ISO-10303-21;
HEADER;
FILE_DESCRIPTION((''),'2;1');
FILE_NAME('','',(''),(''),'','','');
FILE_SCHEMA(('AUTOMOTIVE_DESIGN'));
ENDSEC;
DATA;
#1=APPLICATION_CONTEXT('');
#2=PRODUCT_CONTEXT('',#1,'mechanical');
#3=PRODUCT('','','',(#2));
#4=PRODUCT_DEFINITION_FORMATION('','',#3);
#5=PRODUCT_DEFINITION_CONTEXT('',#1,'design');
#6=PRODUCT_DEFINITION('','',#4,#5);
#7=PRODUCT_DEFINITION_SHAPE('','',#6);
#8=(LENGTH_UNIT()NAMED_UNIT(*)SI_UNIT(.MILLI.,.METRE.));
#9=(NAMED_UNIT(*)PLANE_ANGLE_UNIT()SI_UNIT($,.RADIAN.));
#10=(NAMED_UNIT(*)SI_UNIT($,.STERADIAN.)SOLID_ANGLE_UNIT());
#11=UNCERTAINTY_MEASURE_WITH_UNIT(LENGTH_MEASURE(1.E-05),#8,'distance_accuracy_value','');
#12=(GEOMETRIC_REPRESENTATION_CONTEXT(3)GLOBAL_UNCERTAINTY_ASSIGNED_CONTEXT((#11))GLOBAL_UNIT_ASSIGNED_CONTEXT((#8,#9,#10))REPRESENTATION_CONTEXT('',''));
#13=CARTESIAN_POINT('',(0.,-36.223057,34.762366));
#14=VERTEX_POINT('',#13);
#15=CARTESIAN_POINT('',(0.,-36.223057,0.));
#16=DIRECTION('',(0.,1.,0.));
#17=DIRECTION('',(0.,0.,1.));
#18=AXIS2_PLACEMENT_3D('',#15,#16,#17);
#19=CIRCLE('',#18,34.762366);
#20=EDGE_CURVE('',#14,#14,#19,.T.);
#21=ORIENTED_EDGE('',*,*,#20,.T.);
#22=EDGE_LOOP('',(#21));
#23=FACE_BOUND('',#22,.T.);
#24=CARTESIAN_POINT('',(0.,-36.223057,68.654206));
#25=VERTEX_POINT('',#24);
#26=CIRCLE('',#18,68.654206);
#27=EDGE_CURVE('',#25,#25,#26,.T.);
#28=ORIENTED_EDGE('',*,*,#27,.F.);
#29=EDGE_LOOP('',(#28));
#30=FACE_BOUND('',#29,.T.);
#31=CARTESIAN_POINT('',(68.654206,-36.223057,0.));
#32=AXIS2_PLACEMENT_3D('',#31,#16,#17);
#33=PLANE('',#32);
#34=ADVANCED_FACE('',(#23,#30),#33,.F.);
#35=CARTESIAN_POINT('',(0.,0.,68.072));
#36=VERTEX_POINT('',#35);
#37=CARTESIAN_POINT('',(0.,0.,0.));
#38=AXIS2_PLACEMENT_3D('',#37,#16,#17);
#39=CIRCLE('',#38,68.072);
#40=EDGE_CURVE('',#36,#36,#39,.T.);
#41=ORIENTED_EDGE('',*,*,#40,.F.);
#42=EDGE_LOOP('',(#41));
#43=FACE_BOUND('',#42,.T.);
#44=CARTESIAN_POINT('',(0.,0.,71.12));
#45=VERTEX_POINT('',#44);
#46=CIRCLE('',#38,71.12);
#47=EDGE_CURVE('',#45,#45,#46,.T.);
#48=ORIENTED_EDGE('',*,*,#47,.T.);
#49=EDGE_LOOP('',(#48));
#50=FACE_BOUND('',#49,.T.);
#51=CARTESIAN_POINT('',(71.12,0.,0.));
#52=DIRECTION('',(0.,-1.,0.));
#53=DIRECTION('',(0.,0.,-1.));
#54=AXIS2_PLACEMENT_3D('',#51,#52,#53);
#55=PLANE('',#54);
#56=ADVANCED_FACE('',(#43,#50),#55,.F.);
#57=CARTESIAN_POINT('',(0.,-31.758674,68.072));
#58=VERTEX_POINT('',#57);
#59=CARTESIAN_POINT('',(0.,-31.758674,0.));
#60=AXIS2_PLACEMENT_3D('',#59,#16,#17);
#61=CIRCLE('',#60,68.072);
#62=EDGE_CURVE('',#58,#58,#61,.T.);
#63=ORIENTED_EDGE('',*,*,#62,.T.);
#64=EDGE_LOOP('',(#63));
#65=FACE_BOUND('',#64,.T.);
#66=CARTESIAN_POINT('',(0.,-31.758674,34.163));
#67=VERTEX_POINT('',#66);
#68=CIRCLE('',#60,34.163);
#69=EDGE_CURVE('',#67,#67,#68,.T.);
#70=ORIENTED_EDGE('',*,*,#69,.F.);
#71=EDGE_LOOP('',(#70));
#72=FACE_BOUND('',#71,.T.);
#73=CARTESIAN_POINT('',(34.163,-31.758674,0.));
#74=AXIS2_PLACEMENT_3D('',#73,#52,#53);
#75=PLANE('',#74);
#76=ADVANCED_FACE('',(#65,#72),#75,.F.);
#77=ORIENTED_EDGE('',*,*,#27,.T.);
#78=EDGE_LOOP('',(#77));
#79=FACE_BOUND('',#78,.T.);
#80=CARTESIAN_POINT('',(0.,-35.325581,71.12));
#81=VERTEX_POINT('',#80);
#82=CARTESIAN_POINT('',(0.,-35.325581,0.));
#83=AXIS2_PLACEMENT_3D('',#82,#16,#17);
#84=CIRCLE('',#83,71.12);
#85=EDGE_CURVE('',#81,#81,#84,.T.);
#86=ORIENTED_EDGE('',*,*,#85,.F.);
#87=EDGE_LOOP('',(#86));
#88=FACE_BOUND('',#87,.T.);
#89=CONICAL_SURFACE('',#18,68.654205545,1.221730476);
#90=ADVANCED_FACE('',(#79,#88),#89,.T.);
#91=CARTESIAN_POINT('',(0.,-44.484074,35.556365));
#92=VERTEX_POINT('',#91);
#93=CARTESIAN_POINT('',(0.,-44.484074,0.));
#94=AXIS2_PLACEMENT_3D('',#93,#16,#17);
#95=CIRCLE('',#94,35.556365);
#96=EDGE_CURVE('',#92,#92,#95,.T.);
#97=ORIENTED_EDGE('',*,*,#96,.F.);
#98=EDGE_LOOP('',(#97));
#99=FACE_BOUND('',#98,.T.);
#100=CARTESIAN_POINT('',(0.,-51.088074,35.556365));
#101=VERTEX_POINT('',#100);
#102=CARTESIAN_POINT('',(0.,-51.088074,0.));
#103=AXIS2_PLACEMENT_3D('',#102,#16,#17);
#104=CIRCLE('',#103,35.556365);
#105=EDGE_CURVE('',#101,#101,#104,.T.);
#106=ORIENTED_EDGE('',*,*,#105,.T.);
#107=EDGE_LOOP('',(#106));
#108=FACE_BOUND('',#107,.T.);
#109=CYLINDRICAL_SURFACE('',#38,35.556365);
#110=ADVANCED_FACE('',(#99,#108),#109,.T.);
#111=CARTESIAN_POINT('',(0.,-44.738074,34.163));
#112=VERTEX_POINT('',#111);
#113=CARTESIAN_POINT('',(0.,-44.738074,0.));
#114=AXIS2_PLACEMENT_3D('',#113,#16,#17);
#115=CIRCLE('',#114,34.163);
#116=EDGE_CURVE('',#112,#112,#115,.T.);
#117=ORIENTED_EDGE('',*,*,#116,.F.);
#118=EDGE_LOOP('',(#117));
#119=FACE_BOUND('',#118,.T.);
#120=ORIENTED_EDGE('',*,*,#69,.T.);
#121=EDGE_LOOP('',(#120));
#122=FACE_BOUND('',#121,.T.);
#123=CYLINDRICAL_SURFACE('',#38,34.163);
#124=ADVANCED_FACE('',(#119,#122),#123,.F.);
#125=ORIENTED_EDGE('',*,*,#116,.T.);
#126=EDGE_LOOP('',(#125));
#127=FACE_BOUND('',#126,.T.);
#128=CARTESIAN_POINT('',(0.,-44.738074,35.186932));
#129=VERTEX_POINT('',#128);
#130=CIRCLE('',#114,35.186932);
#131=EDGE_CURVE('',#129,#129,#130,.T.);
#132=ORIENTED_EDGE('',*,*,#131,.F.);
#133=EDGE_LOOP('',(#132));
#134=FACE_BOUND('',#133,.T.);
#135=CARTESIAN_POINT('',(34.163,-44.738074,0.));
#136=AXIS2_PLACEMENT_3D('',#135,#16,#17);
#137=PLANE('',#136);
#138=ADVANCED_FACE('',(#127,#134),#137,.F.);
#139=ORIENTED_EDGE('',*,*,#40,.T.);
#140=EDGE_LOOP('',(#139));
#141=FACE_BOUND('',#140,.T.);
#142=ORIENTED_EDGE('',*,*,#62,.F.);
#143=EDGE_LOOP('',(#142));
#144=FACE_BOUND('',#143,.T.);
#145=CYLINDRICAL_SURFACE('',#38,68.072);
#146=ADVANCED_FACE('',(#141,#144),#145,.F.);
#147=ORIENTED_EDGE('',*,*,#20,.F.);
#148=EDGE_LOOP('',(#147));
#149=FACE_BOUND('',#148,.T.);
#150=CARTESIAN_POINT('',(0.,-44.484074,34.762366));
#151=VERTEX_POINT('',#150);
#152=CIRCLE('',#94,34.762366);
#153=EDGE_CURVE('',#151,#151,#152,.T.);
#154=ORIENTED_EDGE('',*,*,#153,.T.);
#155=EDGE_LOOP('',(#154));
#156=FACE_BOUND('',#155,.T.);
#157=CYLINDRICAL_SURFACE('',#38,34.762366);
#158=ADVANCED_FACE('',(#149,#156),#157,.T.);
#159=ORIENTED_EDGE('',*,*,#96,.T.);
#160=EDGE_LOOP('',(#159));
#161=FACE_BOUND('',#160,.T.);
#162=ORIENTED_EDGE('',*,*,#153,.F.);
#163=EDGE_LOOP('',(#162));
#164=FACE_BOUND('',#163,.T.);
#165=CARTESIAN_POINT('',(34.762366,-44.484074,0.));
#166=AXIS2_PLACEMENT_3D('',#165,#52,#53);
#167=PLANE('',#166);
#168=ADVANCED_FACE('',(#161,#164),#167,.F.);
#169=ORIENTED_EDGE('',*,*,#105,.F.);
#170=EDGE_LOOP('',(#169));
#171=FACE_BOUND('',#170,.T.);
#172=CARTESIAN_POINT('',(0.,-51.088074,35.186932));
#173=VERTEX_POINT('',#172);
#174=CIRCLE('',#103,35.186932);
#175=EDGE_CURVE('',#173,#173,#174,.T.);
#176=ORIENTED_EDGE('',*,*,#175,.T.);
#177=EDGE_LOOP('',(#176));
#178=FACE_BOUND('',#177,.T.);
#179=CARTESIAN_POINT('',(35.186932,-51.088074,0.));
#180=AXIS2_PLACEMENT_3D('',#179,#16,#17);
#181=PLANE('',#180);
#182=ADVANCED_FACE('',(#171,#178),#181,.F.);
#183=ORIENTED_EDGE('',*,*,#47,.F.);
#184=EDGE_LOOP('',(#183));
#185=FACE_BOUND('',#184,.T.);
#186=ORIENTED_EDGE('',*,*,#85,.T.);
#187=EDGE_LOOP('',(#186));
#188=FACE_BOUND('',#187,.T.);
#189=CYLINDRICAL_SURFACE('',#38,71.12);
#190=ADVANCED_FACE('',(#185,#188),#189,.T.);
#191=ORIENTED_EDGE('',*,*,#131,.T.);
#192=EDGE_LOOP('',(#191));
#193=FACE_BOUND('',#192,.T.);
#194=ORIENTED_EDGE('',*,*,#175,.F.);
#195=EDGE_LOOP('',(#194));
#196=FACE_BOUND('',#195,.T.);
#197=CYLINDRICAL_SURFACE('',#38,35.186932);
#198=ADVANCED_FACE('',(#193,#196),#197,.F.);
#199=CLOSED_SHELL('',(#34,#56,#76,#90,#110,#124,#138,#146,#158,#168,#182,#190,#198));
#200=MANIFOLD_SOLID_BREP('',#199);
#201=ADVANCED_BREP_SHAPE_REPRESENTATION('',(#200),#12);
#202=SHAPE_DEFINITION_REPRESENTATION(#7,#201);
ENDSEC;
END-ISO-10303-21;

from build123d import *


with BuildPart() as part:
    # Sketch1 → Revolve1 (revolve)
    with BuildSketch(Plane.XY):
        Polygon((34.163, -31.75867376), (34.163, -44.73807376), (35.186931855, -44.73807376), (35.186931855, -51.08807376), (35.556364849, -51.08807376), (35.556364849, -44.48407376), (34.762366334, -44.48407376), (34.762366334, -36.22305653), (68.654205545, -36.22305653), (71.12, -35.325580745), (71.12, 0), (68.072, 0), (68.072, -31.75867376), align=None)
    revolve(axis=Axis((0, 0, 0), (0, -1, 0)))


solid = part.part
